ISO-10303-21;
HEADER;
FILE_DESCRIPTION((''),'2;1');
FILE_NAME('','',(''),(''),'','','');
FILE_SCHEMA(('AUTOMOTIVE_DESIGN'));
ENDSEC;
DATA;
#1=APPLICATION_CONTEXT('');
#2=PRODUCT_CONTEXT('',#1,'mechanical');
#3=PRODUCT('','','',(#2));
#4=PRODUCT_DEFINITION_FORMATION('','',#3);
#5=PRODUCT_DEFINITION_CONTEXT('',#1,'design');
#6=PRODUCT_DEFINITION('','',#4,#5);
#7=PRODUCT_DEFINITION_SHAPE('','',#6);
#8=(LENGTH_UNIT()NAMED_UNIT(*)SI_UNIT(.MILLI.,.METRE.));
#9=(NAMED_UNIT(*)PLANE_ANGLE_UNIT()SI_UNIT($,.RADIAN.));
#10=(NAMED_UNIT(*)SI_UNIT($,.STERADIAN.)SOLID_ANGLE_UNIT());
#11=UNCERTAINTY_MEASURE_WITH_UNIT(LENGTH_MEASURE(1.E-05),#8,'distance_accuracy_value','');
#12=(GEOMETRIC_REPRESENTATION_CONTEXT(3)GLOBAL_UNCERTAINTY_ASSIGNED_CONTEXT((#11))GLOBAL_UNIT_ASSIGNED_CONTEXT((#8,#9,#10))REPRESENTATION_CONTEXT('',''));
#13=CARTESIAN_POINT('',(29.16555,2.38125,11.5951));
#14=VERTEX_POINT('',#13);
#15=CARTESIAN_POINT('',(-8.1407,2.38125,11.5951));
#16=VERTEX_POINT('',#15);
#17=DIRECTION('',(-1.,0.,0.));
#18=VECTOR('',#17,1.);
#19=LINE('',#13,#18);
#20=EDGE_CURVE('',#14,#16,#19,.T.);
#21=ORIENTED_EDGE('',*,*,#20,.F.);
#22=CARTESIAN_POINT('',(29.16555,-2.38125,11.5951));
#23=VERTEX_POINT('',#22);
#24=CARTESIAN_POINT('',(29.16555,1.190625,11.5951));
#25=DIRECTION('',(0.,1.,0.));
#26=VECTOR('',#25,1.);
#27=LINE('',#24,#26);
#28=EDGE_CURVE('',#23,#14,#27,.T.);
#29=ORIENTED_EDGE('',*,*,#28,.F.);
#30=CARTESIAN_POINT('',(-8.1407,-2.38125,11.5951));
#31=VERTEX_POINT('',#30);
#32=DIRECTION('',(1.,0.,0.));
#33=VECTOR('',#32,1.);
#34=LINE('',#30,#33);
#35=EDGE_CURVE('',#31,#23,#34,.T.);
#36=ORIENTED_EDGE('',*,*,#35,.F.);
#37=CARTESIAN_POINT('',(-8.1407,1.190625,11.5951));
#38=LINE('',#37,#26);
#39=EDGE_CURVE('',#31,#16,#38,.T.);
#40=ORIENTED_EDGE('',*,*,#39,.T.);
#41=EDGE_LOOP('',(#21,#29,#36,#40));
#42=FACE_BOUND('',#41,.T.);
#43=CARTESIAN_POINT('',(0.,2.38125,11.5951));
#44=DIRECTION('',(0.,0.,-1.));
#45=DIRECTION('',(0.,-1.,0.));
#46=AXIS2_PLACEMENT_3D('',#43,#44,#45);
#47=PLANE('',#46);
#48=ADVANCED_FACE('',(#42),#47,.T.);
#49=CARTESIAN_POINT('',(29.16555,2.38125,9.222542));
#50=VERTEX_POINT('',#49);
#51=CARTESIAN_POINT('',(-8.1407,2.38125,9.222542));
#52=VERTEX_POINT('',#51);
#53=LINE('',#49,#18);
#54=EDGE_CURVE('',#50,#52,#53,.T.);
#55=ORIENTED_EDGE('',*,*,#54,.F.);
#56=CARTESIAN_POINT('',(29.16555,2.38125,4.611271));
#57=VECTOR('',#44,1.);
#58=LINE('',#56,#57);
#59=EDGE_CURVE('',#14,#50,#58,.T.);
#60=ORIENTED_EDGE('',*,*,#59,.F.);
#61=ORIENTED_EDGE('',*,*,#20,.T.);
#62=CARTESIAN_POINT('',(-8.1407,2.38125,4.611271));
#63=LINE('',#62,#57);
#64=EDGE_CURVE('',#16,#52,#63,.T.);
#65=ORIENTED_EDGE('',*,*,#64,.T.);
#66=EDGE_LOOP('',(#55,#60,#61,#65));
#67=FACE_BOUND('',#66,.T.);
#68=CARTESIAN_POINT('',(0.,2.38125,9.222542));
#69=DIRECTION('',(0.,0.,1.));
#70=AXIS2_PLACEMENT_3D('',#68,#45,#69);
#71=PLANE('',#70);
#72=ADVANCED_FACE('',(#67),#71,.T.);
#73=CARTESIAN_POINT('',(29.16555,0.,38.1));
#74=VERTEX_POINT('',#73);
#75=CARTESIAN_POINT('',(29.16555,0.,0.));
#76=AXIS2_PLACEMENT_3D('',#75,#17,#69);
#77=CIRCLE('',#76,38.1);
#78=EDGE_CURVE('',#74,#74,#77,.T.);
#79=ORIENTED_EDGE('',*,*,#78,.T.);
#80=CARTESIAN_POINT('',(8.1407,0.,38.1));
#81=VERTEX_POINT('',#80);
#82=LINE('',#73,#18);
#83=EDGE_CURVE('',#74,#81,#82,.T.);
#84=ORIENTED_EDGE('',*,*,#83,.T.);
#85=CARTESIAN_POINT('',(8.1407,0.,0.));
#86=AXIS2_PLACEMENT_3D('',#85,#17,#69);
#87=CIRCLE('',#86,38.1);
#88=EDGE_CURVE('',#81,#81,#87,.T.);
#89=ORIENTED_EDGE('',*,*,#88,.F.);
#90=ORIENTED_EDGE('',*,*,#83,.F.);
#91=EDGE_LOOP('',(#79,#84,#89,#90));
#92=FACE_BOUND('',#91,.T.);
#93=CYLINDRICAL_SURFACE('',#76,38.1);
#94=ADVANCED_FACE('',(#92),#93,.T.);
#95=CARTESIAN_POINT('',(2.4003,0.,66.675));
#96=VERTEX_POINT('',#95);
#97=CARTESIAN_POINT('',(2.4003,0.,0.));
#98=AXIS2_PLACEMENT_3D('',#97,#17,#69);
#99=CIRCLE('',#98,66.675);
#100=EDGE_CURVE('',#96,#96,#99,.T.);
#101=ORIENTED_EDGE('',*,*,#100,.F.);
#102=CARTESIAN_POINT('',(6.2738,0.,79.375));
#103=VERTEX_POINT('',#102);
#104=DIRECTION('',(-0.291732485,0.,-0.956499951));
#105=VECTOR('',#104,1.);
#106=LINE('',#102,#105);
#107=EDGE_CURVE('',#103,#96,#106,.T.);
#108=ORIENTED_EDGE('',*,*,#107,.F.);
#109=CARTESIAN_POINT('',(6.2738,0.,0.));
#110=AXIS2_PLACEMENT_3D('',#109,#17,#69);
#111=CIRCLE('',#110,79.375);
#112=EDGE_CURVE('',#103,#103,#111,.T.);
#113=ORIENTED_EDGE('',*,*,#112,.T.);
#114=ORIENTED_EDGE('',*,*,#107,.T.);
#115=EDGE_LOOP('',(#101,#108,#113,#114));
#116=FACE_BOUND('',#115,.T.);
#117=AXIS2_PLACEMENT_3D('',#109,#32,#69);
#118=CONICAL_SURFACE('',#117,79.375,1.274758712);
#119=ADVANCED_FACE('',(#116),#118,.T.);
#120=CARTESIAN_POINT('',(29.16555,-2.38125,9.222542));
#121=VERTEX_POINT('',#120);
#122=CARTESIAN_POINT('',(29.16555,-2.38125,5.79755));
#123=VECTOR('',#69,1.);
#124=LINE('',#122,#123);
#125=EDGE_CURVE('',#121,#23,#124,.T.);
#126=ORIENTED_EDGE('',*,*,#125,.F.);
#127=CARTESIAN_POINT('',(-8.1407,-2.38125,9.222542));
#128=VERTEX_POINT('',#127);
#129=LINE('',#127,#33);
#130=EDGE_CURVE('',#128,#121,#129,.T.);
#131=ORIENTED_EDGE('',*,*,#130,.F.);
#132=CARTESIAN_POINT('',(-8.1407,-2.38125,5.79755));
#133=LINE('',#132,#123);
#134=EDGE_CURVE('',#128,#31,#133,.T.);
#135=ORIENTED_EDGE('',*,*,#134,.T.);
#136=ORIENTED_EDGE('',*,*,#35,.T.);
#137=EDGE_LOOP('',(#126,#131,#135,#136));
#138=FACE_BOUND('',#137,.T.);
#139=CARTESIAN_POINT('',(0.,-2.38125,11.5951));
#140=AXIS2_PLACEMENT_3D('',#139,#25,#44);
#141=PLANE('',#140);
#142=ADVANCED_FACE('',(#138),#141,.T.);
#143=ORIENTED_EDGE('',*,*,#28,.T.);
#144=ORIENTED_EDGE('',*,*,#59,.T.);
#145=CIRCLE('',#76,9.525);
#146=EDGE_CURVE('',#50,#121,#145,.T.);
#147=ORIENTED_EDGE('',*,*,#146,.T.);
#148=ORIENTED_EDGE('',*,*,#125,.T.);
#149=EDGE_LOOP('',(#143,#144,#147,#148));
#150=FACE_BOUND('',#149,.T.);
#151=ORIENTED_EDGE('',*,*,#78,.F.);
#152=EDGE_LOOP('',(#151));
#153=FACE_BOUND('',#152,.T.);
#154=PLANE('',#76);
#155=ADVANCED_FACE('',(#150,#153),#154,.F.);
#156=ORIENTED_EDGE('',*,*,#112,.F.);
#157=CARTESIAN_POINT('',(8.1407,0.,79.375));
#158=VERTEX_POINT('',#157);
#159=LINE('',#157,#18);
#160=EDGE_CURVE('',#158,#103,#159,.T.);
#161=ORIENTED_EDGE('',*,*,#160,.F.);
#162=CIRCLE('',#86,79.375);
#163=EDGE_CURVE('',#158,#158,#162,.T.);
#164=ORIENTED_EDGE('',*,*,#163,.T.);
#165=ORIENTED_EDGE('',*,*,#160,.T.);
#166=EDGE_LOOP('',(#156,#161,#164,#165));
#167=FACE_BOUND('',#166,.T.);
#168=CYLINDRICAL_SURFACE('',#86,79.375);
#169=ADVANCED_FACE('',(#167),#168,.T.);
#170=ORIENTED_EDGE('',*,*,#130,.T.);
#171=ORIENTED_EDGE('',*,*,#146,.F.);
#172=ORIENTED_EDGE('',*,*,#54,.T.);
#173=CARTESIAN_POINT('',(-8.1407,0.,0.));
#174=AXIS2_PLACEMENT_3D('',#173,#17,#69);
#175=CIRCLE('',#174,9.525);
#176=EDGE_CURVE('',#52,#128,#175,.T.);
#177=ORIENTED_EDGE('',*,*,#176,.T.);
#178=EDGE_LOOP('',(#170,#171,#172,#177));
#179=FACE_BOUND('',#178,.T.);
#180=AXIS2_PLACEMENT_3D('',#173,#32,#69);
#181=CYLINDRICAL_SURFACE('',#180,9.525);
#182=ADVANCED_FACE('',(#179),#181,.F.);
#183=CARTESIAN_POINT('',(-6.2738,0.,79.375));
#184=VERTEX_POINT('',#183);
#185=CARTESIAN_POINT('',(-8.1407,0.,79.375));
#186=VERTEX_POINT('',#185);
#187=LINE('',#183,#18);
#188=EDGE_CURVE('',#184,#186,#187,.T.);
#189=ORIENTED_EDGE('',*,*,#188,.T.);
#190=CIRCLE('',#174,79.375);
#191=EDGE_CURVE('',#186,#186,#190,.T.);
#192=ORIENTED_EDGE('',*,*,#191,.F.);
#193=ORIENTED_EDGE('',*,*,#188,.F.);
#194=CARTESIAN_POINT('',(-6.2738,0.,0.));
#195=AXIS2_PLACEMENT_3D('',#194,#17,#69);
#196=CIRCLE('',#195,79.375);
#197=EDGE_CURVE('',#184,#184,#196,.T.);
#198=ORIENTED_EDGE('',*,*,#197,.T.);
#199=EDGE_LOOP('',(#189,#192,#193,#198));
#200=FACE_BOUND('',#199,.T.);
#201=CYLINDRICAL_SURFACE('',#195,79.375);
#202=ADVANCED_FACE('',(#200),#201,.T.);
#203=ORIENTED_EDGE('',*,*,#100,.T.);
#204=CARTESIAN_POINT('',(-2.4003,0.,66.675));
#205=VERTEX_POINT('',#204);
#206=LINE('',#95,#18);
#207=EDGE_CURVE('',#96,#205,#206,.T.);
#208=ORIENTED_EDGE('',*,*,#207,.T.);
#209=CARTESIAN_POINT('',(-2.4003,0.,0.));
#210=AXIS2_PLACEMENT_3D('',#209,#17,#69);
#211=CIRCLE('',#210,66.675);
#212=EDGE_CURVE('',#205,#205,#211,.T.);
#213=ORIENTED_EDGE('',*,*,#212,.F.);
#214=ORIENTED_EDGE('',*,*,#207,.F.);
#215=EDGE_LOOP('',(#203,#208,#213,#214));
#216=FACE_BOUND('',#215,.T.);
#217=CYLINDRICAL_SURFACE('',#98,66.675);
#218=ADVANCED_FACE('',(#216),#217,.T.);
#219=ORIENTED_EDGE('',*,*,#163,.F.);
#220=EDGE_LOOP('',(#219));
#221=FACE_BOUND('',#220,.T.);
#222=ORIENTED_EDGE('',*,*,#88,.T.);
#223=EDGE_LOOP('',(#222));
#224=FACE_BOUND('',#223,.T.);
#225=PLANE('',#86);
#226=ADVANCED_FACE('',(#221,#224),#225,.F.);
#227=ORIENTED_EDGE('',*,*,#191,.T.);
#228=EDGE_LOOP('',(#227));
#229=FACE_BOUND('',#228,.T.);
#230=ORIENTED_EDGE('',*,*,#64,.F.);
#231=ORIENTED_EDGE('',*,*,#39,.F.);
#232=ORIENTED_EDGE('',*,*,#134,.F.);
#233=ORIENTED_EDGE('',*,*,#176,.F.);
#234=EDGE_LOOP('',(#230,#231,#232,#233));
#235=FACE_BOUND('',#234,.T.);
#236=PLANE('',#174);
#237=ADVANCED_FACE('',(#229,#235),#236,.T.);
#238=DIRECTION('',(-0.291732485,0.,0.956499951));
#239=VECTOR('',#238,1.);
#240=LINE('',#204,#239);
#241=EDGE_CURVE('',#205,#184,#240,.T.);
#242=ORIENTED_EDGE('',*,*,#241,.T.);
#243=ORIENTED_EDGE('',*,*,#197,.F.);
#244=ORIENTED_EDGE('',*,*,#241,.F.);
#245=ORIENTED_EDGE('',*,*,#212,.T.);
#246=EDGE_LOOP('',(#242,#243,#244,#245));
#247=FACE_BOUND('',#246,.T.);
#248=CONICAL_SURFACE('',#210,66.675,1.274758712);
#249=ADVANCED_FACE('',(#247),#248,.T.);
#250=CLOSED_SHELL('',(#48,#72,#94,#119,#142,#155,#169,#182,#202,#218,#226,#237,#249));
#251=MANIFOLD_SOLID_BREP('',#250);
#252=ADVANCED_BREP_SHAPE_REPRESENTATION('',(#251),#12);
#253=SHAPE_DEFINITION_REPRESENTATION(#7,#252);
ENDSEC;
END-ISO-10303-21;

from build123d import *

# Parameters (mm, degrees)
F3_DEPTH      = 8.1417
F3_DEPTH_BACK = 29.16655


with BuildPart() as f1:
    # F0 (on Front) → F1 (revolve)
    with BuildSketch(Plane.XZ):
        Polygon((-8.1407, 9.525), (8.1407, 9.525), (29.16555, 9.525), (29.16555, 38.1), (8.1407, 38.1), (8.1407, 79.375), (6.2738, 79.375), (2.4003, 66.675), (-2.4003, 66.675), (-6.2738, 79.375), (-8.1407, 79.375), align=None)
    revolve(axis=Axis((-25.9663593024, 0, 0), (-1, 0, 0)))

    # F2 (on Right) → F3 (cut, two sides)
    with BuildSketch(Plane.YZ) as f3_sk:
        with BuildLine():
            Line((2.38125, 11.5951), (-2.38125, 11.5951))
            Line((-2.38125, 11.5951), (-2.38125, 9.2225415932))
            ThreePointArc((-2.38125, 9.2225415932), (0, -9.525), (2.38125, 9.2225415932))
            Line((2.38125, 9.2225415932), (2.38125, 11.5951))
        make_face()
    extrude(amount=-F3_DEPTH, mode=Mode.SUBTRACT)
    extrude(f3_sk.sketch, amount=F3_DEPTH_BACK, mode=Mode.SUBTRACT)


solid = f1.part
